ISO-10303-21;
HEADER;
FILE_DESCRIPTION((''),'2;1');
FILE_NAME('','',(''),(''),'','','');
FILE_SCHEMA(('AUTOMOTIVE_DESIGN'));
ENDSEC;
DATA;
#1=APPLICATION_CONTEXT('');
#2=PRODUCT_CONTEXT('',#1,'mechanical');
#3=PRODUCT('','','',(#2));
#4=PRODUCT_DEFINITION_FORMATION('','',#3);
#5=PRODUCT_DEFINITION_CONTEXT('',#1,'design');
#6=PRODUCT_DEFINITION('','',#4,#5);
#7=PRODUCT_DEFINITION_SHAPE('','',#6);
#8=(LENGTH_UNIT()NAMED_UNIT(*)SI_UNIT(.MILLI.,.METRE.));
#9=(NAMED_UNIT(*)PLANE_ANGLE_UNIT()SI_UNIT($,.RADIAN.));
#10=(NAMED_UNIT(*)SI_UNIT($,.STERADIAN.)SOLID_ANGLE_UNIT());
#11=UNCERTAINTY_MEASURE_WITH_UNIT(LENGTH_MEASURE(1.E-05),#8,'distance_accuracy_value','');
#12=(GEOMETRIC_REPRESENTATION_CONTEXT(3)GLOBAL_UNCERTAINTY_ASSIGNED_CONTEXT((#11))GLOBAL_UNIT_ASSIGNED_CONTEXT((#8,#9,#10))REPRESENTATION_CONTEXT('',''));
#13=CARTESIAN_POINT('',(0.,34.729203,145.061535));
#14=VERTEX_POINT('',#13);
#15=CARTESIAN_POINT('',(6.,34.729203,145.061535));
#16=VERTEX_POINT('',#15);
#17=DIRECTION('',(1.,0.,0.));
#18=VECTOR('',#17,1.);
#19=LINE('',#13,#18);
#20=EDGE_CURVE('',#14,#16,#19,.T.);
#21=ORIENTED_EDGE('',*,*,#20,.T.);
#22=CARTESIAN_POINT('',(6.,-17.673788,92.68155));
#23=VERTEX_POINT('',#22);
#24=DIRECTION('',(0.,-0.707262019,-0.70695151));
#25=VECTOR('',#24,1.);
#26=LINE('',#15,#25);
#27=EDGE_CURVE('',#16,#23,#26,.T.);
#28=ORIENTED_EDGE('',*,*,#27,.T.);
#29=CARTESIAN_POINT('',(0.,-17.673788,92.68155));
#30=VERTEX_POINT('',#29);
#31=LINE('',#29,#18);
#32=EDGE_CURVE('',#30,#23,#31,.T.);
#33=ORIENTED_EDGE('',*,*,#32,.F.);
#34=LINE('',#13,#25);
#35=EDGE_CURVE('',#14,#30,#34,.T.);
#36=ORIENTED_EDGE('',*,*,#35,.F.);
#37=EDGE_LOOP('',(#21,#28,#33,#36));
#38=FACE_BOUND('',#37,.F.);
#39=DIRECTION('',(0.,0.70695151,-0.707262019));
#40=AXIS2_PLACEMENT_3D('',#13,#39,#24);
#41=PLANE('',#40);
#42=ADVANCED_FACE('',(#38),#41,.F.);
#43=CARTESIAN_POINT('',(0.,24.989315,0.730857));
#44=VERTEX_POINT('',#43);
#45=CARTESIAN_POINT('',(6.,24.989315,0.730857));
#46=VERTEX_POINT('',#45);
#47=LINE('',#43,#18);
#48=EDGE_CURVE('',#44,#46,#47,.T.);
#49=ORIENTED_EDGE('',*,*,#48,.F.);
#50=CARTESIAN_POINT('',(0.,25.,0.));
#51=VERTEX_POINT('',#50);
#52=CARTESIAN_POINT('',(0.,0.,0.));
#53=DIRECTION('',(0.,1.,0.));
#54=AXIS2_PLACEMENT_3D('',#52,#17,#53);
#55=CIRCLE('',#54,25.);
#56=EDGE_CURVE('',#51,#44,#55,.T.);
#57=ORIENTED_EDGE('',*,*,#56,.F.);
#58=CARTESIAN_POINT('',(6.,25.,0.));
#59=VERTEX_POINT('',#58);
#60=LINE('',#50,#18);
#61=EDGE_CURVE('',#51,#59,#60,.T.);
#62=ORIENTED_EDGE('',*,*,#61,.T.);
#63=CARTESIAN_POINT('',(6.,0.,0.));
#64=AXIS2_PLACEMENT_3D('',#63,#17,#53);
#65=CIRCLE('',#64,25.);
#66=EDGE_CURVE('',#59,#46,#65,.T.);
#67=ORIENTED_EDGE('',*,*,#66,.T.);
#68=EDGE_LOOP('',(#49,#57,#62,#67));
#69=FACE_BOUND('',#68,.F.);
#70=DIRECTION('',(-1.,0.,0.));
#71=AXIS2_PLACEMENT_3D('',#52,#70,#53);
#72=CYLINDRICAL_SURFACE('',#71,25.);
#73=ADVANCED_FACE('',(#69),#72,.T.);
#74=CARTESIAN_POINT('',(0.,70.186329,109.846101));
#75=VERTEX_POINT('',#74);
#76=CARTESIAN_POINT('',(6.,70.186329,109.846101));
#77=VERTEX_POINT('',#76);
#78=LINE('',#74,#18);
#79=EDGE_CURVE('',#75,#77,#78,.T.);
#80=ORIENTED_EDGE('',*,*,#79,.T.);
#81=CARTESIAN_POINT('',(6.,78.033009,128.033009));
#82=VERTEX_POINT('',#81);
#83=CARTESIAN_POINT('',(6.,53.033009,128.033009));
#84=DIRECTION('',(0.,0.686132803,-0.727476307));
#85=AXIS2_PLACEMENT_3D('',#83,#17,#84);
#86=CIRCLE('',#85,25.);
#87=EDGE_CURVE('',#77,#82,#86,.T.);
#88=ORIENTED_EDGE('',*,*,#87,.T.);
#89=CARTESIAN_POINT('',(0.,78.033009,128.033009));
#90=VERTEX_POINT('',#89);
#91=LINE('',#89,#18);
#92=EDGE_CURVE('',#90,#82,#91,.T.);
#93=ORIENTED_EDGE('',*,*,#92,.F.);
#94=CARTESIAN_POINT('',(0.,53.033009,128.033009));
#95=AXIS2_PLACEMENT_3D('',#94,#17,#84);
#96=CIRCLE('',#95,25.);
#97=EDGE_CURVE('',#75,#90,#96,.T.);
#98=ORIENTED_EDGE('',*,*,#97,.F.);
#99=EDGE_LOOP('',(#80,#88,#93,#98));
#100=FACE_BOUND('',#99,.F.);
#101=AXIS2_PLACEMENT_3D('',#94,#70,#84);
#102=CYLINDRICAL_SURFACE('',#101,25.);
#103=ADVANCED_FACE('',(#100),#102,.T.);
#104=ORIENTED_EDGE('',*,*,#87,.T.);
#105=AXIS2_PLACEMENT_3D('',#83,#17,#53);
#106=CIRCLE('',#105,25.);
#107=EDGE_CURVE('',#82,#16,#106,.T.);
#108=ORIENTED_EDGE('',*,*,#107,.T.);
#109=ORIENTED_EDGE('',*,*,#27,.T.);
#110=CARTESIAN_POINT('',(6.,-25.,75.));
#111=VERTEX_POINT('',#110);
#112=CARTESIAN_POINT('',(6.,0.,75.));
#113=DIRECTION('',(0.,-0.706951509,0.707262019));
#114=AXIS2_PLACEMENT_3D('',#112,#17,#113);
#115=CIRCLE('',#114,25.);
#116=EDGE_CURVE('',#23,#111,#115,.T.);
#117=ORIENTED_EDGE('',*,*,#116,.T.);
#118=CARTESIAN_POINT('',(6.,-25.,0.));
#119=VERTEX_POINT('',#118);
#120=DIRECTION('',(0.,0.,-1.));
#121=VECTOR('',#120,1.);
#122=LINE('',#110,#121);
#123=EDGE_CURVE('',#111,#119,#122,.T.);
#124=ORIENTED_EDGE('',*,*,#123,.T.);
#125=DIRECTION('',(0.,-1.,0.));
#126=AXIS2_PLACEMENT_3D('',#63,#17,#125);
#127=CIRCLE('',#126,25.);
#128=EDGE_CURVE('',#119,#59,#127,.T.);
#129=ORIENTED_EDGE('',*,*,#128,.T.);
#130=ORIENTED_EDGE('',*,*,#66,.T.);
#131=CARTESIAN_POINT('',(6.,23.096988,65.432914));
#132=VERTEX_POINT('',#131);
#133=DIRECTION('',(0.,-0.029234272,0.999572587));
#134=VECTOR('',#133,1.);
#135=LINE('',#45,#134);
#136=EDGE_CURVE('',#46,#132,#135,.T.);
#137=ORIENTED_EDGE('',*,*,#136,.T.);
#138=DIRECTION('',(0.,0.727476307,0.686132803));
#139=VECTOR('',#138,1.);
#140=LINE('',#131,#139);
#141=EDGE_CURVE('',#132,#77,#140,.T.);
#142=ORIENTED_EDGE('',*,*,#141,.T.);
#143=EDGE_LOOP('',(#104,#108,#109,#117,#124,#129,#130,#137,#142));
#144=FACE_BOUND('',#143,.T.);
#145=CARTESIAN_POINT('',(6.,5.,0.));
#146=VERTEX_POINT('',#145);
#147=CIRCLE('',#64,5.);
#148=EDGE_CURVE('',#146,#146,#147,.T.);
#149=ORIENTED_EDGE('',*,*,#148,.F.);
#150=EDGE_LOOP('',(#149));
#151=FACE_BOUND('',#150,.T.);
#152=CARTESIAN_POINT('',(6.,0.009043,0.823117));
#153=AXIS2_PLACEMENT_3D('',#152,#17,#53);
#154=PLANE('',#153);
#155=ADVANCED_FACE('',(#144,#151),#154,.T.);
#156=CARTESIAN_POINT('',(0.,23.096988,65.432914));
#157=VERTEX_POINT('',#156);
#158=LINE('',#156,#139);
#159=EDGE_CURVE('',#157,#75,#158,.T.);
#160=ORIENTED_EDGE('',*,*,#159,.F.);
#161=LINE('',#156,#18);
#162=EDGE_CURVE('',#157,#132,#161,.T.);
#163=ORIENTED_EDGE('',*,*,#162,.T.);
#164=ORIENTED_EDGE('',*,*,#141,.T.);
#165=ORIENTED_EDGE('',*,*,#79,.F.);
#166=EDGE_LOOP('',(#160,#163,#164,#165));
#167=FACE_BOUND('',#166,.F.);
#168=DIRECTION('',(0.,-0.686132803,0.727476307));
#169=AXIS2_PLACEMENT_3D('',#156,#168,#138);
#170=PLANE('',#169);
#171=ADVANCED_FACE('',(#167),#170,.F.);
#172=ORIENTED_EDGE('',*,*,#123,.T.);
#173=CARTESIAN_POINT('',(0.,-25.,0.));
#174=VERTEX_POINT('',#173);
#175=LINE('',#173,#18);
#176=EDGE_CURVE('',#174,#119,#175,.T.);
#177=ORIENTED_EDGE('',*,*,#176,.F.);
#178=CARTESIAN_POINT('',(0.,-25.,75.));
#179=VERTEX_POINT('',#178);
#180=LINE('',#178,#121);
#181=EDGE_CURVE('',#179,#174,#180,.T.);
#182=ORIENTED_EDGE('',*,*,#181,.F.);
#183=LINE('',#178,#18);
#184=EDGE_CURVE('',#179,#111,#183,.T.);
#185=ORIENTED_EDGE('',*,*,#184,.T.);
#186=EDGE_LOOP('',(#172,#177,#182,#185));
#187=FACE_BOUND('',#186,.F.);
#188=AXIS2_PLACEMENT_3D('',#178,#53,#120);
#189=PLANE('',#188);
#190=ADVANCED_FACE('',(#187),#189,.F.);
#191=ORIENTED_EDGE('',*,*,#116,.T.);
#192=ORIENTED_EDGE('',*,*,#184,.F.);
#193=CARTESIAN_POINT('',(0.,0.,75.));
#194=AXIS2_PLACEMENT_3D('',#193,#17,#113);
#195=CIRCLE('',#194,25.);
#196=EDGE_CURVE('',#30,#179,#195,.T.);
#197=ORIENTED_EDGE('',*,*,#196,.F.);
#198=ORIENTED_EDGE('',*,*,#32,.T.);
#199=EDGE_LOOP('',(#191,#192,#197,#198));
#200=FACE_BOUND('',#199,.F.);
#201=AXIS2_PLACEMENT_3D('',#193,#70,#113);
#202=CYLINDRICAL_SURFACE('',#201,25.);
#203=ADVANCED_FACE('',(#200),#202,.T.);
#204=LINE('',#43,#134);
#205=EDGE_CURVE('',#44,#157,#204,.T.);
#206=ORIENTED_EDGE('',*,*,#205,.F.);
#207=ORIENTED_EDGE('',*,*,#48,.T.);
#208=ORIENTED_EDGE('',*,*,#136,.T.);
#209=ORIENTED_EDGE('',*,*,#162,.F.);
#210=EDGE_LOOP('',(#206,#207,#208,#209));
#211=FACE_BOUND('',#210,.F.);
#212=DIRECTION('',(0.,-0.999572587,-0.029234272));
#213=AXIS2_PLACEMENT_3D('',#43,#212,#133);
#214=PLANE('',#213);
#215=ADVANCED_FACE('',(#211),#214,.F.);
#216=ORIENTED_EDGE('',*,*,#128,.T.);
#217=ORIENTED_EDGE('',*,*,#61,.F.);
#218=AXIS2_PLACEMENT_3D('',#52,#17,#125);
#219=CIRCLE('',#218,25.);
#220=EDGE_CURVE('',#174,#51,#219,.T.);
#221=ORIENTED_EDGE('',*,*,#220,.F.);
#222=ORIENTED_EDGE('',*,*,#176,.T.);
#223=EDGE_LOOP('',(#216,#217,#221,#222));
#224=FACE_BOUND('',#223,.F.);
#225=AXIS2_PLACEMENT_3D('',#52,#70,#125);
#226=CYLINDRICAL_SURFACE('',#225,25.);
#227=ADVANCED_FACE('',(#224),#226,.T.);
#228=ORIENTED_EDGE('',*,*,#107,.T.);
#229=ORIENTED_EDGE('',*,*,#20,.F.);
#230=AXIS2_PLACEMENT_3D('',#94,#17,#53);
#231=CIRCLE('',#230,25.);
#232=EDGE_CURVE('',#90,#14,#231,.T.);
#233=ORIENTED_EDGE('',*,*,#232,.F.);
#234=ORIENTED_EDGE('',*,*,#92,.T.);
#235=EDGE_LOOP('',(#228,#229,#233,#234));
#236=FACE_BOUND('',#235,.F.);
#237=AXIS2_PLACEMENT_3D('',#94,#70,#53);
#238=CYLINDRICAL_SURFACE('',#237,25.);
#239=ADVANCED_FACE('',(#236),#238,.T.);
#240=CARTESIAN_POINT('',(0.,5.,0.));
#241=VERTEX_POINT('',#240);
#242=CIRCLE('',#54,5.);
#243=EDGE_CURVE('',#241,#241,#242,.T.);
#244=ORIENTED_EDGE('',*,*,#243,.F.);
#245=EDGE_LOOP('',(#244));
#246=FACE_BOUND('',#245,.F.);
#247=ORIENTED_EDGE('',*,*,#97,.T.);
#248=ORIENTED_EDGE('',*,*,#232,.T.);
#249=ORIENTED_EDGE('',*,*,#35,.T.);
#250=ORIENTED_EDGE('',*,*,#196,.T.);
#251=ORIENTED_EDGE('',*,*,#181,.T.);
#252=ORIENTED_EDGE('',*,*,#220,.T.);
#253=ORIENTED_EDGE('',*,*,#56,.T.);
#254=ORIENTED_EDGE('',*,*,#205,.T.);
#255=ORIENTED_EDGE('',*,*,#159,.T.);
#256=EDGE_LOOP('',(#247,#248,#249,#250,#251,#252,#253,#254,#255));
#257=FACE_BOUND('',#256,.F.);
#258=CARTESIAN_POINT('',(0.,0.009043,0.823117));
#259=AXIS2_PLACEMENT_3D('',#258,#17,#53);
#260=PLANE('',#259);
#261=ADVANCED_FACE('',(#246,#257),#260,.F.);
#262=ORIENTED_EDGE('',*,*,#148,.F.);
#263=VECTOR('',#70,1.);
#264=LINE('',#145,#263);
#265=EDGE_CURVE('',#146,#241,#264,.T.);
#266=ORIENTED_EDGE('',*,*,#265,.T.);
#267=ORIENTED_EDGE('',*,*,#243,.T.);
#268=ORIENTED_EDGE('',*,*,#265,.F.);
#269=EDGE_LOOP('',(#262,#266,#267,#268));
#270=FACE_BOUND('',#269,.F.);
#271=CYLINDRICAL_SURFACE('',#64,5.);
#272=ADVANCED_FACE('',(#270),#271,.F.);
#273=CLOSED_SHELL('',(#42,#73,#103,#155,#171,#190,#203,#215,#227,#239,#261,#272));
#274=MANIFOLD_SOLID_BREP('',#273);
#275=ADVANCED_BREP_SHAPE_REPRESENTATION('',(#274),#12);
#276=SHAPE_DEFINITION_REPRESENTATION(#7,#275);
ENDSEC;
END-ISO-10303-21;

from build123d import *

# Parameters (mm, degrees)
F1_DEPTH = 6
F2_R     = 5
F3_DEPTH = 6


with BuildPart() as f1:
    # F0 (on Right) → F1 (new body)
    with BuildSketch(Plane.YZ):
        with BuildLine():
            ThreePointArc((-25, 0), (0, -25), (25, 0))
            ThreePointArc((25, 0), (24.997328528, 0.3654674576), (24.989314683, 0.7308568083))
            ThreePointArc((24.989314683, 0.7308568083), (17.4173559961, 17.9342050313), (0, 25))
            ThreePointArc((0, 25), (-17.6776695297, 17.6776695297), (-25, 0))
        make_face()
        with BuildLine():
            ThreePointArc((0, 25), (17.4173559961, 17.9342050313), (24.989314683, 0.7308568083))
            Line((24.989314683, 0.7308568083), (23.0969883128, 65.4329141909))
            ThreePointArc((23.0969883128, 65.4329141909), (13.8892558255, 54.2132596924), (0, 50))
            Line((0, 50), (0, 25))
        make_face()
        with BuildLine():
            Line((-25, 75), (-25, 0))
            ThreePointArc((-25, 0), (-17.6776695297, 17.6776695297), (0, 25))
            Line((0, 25), (0, 50))
            ThreePointArc((0, 50), (-17.6776695297, 57.3223304703), (-25, 75))
        make_face()
        with BuildLine():
            Line((0, 75), (23.0969883128, 65.4329141909))
            ThreePointArc((23.0969883128, 65.4329141909), (24.5196320101, 70.1227419496), (25, 75))
            ThreePointArc((25, 75), (23.0969883128, 84.5670858091), (17.6776695297, 92.6776695297))
            Line((17.6776695297, 92.6776695297), (0, 75))
        make_face()
        with BuildLine():
            ThreePointArc((0, 50), (13.8892558255, 54.2132596924), (23.0969883128, 65.4329141909))
            Line((23.0969883128, 65.4329141909), (0, 75))
            Line((0, 75), (0, 50))
        make_face()
        with BuildLine():
            ThreePointArc((25, 75), (24.5196320101, 70.1227419496), (23.0969883128, 65.4329141909))
            Line((23.0969883128, 65.4329141909), (70.1863286533, 109.8461009142))
            ThreePointArc((70.1863286533, 109.8461009142), (52.6675411314, 103.035680061), (35.3553390593, 110.3553390593))
            Line((35.3553390593, 110.3553390593), (17.6776695297, 92.6776695297))
            ThreePointArc((17.6776695297, 92.6776695297), (23.0969883128, 84.5670858091), (25, 75))
        make_face()
        with BuildLine():
            ThreePointArc((-17.6737877377, 92.6815504694), (-23.0959378836, 84.569621376), (-25, 75))
            ThreePointArc((-25, 75), (-17.6776695297, 57.3223304703), (0, 50))
            Line((0, 50), (0, 75))
            Line((0, 75), (17.6776695297, 92.6776695297))
            ThreePointArc((17.6776695297, 92.6776695297), (0.0027445402, 99.9999998493), (-17.6737877377, 92.6815504694))
        make_face()
        with BuildLine():
            ThreePointArc((35.3553390593, 110.3553390593), (52.6675411314, 103.035680061), (70.1863286533, 109.8461009142))
            ThreePointArc((70.1863286533, 109.8461009142), (75.9876704424, 118.1292972041), (78.033008589, 128.033008589))
            ThreePointArc((78.033008589, 128.033008589), (62.1819121392, 151.298811043), (34.7292034826, 145.0615352026))
            ThreePointArc((34.7292034826, 145.0615352026), (28.0370760813, 127.5820561841), (35.3553390593, 110.3553390593))
        make_face()
        with BuildLine():
            Line((34.7292034826, 145.0615352026), (-17.6737877377, 92.6815504694))
            ThreePointArc((-17.6737877377, 92.6815504694), (0.0027445402, 99.9999998493), (17.6776695297, 92.6776695297))
            Line((17.6776695297, 92.6776695297), (35.3553390593, 110.3553390593))
            ThreePointArc((35.3553390593, 110.3553390593), (28.0370760813, 127.5820561841), (34.7292034826, 145.0615352026))
        make_face()
    extrude(amount=F1_DEPTH)

    # F2 (on face) → F3 (cut)
    with BuildSketch(Plane.YZ.offset(6)):
        Circle(F2_R)
    extrude(amount=-F3_DEPTH, mode=Mode.SUBTRACT)


solid = f1.part
